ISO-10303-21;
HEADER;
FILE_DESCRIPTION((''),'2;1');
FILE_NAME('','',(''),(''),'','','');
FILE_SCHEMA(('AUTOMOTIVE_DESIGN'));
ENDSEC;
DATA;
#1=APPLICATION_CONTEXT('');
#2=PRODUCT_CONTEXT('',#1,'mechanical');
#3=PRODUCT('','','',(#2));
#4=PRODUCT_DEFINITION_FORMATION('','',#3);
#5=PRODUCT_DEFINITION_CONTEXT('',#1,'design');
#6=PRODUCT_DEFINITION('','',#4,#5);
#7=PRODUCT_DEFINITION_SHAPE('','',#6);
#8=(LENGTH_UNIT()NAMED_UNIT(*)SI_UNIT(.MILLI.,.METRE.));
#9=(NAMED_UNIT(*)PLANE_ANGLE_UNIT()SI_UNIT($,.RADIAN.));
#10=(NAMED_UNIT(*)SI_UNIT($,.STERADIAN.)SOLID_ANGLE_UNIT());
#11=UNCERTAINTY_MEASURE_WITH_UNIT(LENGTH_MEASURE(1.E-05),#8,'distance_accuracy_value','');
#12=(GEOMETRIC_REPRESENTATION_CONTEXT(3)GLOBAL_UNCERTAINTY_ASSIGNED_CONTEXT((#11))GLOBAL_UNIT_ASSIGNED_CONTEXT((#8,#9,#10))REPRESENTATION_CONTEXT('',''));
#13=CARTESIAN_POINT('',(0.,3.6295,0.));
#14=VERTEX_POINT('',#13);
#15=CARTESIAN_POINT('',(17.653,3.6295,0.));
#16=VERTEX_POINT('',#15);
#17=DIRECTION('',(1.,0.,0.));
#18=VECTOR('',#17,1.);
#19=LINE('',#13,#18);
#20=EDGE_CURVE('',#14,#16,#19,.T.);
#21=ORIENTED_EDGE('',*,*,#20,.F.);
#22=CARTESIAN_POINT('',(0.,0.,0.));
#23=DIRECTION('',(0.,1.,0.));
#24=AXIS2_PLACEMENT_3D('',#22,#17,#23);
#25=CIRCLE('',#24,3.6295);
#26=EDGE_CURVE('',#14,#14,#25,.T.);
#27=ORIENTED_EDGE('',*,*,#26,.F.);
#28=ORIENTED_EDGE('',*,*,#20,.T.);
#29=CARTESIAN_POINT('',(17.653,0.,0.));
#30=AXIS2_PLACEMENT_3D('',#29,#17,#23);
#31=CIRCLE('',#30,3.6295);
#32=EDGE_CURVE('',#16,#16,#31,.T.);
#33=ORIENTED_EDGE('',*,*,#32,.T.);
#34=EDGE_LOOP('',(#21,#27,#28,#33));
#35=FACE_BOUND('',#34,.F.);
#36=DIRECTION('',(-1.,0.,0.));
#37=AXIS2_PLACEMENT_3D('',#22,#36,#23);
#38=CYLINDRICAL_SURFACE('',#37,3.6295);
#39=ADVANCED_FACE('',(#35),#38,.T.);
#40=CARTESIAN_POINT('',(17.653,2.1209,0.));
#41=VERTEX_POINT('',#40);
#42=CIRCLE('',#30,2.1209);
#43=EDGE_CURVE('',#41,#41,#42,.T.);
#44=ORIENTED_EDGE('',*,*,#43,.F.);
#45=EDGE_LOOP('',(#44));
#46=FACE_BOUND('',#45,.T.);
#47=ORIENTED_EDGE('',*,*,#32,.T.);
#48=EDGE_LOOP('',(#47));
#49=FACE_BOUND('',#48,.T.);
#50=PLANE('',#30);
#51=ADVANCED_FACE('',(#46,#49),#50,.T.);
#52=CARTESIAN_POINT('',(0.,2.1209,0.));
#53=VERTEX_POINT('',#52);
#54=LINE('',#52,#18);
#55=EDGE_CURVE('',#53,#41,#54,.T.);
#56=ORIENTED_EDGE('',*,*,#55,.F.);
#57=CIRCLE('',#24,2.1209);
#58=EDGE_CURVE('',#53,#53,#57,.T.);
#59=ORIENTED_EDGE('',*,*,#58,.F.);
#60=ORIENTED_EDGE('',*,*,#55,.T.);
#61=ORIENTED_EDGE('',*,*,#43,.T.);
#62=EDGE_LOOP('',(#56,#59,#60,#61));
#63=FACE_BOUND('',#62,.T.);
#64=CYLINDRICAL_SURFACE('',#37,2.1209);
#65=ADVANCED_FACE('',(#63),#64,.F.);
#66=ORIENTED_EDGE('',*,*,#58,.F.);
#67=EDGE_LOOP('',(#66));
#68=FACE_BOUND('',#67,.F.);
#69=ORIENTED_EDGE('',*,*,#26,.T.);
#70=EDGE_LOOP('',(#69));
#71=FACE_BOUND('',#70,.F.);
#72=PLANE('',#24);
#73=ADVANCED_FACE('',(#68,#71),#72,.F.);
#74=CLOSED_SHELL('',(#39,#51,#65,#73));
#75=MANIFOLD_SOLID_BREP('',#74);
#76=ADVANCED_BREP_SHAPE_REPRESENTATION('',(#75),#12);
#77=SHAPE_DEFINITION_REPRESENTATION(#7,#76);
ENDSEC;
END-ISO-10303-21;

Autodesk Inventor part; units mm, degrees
ref_plane "YZ Plane" through (0, 0, 0) normal (1, 0, 0) x (0, 1, 0)
ref_plane "XZ Plane" through (0, 0, 0) normal (0, 1, 0) x (-1, 0, 0)
ref_plane "XY Plane" through (0, 0, 0) normal (0, 0, 1) x (1, 0, 0)
sketch "Sketch1" plane through (0, 0, 0) normal (1, 0, 0) x (0, 1, 0)
  circle A0 centre (0, 0) radius 2.1209
  circle A1 centre (0, 0) radius 3.6295
  dimension "d2" = 4.2418
extrude "Extrusion1" add sketch "Sketch1" along normal blind 17.653
properties part number "spacer"
